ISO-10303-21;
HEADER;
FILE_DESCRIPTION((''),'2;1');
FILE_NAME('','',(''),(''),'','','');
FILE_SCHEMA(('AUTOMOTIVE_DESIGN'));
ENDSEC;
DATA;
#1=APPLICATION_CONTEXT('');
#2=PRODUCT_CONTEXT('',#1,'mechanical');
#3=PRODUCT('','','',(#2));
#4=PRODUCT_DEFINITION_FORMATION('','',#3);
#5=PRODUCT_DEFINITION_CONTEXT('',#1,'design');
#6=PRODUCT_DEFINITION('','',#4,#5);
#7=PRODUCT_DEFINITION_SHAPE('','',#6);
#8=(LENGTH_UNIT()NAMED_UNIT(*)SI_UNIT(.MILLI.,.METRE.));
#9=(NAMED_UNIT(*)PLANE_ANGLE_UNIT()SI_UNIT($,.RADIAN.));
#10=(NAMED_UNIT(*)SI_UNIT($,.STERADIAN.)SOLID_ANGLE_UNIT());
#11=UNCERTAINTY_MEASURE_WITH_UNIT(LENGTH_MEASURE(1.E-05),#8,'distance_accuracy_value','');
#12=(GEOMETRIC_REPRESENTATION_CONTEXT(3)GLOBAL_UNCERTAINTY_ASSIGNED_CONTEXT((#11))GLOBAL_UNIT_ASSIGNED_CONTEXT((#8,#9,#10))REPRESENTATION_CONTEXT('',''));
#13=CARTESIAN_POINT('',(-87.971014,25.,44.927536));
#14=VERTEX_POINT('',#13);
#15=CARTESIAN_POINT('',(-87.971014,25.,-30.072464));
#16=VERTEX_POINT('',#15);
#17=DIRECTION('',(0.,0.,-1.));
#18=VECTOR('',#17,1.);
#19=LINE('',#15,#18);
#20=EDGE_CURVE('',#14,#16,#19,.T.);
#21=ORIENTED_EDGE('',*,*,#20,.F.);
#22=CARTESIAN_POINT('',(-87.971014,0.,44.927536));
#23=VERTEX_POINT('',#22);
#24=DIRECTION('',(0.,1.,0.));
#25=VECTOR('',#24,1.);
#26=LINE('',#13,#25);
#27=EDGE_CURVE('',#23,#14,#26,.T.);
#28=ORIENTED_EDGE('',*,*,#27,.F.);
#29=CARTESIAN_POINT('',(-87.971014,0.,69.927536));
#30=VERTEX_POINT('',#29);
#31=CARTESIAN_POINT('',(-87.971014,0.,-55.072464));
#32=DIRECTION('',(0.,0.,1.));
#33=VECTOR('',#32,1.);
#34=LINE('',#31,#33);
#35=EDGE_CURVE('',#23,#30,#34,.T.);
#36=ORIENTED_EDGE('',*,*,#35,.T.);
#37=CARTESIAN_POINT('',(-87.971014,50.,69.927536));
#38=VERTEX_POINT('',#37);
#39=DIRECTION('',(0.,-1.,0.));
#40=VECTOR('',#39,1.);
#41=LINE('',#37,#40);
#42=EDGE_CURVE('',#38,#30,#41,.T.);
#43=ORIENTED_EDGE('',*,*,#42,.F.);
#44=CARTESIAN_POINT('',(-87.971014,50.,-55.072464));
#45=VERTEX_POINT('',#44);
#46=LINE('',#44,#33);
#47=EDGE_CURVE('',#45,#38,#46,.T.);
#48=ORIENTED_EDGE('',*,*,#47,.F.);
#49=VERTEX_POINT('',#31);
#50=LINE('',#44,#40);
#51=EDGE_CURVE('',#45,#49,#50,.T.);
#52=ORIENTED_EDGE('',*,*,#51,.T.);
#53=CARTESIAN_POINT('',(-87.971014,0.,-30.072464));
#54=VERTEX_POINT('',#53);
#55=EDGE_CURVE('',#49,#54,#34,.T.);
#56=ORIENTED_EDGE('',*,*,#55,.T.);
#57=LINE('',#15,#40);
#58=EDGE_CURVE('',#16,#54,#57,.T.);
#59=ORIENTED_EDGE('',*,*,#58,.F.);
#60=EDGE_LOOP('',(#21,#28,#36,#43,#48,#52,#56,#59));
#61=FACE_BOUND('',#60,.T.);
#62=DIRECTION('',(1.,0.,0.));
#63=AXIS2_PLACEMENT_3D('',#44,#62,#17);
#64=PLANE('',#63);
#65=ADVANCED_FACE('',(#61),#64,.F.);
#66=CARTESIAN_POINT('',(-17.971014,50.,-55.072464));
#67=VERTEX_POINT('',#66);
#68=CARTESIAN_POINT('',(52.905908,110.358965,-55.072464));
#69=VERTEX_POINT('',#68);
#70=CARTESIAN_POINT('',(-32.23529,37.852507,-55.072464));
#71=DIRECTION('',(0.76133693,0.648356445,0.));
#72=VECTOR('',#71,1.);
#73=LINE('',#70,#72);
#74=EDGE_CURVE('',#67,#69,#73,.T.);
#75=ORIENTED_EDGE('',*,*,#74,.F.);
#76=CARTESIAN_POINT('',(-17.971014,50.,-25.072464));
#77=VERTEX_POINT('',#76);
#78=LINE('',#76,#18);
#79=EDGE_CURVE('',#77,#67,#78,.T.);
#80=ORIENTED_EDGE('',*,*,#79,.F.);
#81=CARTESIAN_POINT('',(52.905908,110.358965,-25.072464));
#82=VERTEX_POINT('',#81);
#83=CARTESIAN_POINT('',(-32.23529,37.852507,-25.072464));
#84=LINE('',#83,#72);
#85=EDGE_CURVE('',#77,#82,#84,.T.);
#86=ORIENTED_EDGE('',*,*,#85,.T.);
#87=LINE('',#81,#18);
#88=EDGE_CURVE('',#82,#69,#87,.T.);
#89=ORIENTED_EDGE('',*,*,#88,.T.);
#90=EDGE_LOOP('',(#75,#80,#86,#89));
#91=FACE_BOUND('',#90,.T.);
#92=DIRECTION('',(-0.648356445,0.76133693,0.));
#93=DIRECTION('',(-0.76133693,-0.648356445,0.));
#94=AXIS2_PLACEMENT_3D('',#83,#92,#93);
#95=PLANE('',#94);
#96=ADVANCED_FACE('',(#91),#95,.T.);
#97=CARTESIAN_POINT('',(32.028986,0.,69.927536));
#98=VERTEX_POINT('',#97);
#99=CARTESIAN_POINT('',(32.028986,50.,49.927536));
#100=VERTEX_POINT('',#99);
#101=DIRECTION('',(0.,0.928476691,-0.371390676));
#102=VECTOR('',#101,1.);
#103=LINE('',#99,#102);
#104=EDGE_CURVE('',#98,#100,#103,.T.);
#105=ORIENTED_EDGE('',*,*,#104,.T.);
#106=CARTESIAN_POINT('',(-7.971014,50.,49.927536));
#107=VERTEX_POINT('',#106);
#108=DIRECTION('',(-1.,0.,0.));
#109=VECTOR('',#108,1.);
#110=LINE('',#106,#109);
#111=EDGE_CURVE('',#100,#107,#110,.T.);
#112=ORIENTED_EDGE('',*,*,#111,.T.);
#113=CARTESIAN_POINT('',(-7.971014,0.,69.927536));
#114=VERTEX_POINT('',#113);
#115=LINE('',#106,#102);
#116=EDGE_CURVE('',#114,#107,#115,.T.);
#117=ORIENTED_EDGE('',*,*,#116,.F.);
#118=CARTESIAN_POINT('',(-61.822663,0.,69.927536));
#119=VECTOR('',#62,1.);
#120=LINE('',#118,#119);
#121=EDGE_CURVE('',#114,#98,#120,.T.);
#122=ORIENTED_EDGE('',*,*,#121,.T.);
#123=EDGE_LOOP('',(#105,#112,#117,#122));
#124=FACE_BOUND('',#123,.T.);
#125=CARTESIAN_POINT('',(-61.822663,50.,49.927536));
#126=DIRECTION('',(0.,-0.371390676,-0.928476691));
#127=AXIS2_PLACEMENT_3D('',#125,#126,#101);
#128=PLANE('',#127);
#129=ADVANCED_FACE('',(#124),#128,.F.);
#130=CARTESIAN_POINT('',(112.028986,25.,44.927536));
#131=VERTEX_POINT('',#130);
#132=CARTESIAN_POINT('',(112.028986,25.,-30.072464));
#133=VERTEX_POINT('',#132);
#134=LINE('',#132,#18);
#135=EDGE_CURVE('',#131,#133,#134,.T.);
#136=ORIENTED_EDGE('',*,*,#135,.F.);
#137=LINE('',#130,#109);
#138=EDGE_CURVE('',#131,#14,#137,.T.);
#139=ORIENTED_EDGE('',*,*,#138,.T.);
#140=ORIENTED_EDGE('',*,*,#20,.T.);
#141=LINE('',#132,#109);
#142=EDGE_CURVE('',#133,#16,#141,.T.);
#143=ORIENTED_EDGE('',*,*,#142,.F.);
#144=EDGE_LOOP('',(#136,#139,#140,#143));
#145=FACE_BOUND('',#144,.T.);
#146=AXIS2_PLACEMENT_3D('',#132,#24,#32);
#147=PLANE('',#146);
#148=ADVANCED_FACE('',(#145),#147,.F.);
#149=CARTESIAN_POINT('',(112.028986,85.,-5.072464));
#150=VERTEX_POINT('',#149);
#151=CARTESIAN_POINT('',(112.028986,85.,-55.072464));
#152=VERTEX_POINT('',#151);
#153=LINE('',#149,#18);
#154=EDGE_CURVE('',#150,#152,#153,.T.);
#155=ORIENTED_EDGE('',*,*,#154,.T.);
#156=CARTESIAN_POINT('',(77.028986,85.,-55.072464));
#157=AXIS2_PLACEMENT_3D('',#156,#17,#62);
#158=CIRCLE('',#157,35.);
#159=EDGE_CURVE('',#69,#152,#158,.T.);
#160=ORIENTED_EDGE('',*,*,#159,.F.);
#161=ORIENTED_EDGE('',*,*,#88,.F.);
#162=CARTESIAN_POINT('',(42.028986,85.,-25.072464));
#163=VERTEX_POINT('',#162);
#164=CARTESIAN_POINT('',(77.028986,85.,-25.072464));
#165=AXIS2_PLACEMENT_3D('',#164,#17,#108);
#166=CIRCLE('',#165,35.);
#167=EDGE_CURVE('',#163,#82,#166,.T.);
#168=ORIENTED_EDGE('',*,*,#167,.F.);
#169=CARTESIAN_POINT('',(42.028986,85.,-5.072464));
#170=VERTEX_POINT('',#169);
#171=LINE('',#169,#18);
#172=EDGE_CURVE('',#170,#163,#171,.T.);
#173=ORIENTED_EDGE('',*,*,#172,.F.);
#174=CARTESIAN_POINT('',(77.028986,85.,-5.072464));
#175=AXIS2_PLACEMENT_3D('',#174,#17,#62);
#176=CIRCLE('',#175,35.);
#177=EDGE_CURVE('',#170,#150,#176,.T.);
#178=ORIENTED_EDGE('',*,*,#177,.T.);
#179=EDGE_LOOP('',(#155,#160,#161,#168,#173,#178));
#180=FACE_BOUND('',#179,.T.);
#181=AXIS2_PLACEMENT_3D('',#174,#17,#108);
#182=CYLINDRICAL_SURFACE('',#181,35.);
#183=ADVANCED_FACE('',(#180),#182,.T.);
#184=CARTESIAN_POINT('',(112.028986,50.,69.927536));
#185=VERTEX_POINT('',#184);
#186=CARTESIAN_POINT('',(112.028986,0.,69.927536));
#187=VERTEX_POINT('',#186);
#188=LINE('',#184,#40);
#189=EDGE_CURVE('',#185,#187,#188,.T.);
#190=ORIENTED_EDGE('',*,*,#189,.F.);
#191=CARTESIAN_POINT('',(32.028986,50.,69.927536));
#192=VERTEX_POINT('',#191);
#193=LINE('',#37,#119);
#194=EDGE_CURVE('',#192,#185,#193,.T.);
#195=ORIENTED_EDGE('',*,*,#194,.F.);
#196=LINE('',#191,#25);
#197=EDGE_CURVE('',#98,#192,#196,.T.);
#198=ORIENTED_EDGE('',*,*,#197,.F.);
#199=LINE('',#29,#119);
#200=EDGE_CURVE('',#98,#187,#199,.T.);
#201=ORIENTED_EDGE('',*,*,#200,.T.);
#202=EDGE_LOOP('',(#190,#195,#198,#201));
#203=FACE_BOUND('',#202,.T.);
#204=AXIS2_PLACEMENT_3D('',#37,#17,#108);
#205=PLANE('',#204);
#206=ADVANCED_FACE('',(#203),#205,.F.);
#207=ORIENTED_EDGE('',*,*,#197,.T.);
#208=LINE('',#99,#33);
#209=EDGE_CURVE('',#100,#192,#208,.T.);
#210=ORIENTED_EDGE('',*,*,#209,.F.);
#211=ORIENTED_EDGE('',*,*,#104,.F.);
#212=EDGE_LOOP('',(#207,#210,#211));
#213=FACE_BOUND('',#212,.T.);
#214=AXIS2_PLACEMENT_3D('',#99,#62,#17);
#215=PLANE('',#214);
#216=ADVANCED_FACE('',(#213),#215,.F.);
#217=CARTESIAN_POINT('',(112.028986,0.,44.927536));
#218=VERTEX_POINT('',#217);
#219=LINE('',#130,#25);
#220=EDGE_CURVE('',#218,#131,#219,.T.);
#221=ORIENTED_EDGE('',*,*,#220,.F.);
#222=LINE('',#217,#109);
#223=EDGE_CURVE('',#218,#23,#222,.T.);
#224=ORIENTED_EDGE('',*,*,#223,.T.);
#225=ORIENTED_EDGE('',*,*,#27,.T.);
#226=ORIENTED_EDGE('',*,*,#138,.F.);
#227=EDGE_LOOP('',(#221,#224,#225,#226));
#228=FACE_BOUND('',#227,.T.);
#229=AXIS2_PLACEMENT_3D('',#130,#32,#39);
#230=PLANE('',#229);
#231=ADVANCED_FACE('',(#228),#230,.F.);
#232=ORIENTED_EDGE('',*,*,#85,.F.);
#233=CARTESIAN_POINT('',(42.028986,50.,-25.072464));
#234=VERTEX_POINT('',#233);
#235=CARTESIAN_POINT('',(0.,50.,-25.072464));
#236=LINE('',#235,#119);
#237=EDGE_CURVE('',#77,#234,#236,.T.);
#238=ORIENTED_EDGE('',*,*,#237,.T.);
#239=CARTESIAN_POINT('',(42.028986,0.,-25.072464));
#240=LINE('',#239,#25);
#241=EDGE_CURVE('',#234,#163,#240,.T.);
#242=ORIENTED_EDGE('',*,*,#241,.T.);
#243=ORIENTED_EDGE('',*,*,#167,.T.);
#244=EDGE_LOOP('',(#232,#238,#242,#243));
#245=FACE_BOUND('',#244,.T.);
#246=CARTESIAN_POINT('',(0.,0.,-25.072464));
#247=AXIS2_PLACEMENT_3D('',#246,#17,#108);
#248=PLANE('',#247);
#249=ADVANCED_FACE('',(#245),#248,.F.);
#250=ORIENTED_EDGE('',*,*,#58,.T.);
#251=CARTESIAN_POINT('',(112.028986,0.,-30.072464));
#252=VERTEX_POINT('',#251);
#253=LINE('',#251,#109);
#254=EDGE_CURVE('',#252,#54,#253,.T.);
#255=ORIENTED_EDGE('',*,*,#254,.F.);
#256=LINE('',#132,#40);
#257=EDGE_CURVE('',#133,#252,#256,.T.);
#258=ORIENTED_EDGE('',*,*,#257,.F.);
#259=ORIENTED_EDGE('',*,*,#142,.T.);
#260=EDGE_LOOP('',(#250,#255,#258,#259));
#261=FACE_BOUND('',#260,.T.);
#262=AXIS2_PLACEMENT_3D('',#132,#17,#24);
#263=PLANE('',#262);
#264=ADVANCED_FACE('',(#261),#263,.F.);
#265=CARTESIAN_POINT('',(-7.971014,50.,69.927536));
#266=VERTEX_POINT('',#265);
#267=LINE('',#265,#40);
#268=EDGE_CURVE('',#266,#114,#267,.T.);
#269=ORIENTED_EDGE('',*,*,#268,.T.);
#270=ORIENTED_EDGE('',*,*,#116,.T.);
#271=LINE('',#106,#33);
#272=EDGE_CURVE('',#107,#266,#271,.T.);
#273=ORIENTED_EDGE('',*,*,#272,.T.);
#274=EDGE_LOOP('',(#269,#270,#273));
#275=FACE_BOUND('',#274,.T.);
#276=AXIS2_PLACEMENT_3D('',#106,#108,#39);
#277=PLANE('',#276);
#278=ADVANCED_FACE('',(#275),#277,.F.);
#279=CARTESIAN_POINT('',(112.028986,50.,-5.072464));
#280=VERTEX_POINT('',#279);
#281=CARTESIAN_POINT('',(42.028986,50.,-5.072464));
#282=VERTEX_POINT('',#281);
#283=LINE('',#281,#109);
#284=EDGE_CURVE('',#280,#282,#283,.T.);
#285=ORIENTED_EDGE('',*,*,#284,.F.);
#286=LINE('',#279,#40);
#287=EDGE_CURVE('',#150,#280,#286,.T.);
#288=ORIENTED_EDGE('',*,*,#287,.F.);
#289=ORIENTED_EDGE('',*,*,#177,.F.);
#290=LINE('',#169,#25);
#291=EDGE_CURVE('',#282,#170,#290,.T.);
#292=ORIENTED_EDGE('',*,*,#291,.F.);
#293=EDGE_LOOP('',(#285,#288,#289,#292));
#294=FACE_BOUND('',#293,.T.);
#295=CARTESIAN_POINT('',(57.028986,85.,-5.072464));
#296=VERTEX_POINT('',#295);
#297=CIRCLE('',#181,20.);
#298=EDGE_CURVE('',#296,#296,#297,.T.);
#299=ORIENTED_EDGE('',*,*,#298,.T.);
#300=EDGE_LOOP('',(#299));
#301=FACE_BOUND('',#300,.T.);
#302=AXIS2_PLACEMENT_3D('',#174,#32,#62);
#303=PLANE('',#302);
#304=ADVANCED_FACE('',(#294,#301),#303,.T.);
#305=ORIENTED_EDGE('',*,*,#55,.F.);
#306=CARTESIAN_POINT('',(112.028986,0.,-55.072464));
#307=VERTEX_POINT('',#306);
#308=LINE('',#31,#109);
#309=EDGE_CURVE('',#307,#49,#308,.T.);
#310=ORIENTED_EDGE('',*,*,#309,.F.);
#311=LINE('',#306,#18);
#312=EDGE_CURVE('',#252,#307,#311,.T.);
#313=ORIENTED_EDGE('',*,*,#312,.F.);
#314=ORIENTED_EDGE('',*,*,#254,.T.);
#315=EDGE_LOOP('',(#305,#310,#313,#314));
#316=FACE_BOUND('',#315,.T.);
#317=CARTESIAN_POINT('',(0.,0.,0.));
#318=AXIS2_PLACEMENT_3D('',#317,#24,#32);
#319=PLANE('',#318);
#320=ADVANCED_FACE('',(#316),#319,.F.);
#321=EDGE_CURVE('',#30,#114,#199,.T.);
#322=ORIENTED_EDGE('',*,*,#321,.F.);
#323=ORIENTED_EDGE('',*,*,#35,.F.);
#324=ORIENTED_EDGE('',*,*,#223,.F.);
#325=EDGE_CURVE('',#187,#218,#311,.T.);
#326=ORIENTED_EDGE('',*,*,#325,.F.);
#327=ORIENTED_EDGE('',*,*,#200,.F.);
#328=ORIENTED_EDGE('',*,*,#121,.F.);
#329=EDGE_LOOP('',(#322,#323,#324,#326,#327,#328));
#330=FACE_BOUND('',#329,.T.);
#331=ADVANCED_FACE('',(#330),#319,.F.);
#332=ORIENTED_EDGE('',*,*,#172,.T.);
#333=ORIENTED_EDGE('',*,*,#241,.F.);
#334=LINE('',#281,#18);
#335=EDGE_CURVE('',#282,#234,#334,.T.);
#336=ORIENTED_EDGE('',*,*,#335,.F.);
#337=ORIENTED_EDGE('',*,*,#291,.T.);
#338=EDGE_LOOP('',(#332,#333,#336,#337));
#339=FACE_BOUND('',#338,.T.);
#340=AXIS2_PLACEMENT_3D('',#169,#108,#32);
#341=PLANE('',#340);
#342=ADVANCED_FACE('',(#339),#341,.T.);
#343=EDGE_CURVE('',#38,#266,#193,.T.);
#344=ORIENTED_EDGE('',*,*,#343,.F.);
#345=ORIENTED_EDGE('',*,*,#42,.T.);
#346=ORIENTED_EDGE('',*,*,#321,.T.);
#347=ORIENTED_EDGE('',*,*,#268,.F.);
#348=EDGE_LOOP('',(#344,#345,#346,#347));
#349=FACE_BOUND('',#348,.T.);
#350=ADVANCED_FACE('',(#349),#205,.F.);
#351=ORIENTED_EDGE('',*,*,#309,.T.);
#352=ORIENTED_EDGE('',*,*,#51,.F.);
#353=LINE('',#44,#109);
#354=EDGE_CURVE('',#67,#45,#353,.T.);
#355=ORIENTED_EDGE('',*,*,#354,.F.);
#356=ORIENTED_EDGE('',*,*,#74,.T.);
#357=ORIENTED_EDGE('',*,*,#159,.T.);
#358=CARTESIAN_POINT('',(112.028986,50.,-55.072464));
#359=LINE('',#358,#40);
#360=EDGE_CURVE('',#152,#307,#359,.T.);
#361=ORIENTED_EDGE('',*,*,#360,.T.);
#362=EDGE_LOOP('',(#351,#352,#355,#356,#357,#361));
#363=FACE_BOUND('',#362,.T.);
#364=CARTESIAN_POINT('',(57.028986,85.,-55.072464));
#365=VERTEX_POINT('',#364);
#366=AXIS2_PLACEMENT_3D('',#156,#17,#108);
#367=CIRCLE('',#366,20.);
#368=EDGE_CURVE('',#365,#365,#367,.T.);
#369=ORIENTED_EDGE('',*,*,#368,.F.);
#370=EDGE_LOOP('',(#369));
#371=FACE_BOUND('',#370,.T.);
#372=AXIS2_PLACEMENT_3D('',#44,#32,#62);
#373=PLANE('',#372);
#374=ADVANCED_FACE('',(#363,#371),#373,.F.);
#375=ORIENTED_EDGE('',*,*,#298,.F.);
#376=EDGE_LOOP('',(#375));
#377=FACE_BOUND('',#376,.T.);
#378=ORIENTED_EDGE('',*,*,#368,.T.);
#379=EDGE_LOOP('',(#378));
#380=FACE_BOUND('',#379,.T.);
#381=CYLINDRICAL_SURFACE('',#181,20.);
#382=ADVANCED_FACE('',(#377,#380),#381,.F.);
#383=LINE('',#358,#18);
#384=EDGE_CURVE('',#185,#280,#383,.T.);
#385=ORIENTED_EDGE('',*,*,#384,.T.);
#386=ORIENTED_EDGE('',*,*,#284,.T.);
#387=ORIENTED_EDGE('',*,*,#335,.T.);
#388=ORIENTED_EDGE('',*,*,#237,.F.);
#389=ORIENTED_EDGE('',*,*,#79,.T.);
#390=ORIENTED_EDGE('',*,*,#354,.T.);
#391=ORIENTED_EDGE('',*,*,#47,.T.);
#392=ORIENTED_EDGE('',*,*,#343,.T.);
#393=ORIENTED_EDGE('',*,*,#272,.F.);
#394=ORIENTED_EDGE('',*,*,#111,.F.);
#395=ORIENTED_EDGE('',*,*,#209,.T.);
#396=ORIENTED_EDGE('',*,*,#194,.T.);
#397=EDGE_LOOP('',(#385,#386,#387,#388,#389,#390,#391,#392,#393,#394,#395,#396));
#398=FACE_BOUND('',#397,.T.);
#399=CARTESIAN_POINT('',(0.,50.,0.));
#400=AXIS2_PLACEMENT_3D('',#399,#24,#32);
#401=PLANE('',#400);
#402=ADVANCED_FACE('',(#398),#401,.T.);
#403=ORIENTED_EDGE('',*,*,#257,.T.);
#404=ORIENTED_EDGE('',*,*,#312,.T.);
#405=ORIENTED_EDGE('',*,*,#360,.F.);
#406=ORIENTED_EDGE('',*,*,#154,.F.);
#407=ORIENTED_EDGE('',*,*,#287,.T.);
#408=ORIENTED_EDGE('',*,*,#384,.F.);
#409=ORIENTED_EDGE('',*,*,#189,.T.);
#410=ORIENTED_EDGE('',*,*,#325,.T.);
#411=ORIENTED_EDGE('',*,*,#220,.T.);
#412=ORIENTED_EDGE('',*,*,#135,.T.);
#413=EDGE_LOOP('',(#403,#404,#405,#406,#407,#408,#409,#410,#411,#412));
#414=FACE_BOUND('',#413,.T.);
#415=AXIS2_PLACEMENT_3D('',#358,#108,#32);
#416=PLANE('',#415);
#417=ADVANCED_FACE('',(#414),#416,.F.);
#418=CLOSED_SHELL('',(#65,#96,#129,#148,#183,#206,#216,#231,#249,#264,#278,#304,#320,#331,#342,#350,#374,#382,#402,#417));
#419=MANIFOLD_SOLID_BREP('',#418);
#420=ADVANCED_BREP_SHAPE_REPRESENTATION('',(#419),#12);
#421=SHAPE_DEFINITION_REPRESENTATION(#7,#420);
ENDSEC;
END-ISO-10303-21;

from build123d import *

# Parameters (mm, degrees)
SKETCH4_W           = 200
SKETCH4_H           = 125
BOSS_EXTRUDE2_DEPTH = 50
SKETCH6_W           = 75
SKETCH6_H           = 25
CUT_EXTRUDE1_DEPTH  = 201
SKETCH7_W           = 40
SKETCH7_H           = 50
CUT_EXTRUDE2_DEPTH  = 20
BOSS_EXTRUDE5_DEPTH = 40
SKETCH10_R          = 20
BOSS_EXTRUDE6_DEPTH = 50
BOSS_EXTRUDE8_DEPTH = 30


with BuildPart() as part:
    # Sketch4 → Boss-Extrude2 (new body)
    with BuildSketch(Plane(origin=(0, 0, 0), x_dir=(1, 0, 0), z_dir=(0, 1, 0))):
        with Locations((12.028985507, -7.427536232)):
            Rectangle(SKETCH4_W, SKETCH4_H)
    extrude(amount=BOSS_EXTRUDE2_DEPTH)

    # Sketch6 → Cut-Extrude1 (cut, through all)
    with BuildSketch(Plane.ZY.offset(87.971014493)):
        with Locations((7.427536232, 12.5)):
            Rectangle(SKETCH6_W, SKETCH6_H)
    extrude(amount=-CUT_EXTRUDE1_DEPTH, mode=Mode.SUBTRACT)

    # Sketch7 → Cut-Extrude2 (cut)
    with BuildSketch(Plane.XY.offset(69.927536232)):
        with Locations((12.028985507, 25)):
            Rectangle(SKETCH7_W, SKETCH7_H)
    extrude(amount=-CUT_EXTRUDE2_DEPTH, mode=Mode.SUBTRACT)

    # Sketch9 → Boss-Extrude5 (add)
    with BuildSketch(Plane.ZY.offset(-32.028985507)):
        Polygon((49.927536232, 50), (69.927536232, 0), (49.927536232, 0), align=None)
    extrude(amount=BOSS_EXTRUDE5_DEPTH)

    # Sketch10 → Boss-Extrude6 (add)
    with BuildSketch(Plane(origin=(0, 0, -55.072463768), x_dir=(-1, 0, 0), z_dir=(0, 0, -1))):
        with BuildLine():
            Line((-42.028985507, 50), (-112.028985507, 50))
            Line((-112.028985507, 50), (-112.028985507, 85))
            ThreePointArc((-112.028985507, 85), (-77.028985507, 120), (-42.028985507, 85))
            Line((-42.028985507, 85), (-42.028985507, 50))
        make_face()
        with Locations((-77.028985507, 85)):
            Circle(SKETCH10_R, mode=Mode.SUBTRACT)
    extrude(amount=-BOSS_EXTRUDE6_DEPTH)

    # Sketch11 → Boss-Extrude8 (add)
    with BuildSketch(Plane(origin=(0, 0, -55.072463768), x_dir=(-1, 0, 0), z_dir=(0, 0, -1))):
        with BuildLine():
            Line((-42.028985507, 50), (17.971014493, 50))
            Line((17.971014493, 50), (-52.905907859, 110.358965373))
            ThreePointArc((-52.905907859, 110.358965373), (-44.862949711, 98.796598898), (-42.028985507, 85))
            Line((-42.028985507, 85), (-42.028985507, 50))
        make_face()
    extrude(amount=-BOSS_EXTRUDE8_DEPTH)


solid = part.part
